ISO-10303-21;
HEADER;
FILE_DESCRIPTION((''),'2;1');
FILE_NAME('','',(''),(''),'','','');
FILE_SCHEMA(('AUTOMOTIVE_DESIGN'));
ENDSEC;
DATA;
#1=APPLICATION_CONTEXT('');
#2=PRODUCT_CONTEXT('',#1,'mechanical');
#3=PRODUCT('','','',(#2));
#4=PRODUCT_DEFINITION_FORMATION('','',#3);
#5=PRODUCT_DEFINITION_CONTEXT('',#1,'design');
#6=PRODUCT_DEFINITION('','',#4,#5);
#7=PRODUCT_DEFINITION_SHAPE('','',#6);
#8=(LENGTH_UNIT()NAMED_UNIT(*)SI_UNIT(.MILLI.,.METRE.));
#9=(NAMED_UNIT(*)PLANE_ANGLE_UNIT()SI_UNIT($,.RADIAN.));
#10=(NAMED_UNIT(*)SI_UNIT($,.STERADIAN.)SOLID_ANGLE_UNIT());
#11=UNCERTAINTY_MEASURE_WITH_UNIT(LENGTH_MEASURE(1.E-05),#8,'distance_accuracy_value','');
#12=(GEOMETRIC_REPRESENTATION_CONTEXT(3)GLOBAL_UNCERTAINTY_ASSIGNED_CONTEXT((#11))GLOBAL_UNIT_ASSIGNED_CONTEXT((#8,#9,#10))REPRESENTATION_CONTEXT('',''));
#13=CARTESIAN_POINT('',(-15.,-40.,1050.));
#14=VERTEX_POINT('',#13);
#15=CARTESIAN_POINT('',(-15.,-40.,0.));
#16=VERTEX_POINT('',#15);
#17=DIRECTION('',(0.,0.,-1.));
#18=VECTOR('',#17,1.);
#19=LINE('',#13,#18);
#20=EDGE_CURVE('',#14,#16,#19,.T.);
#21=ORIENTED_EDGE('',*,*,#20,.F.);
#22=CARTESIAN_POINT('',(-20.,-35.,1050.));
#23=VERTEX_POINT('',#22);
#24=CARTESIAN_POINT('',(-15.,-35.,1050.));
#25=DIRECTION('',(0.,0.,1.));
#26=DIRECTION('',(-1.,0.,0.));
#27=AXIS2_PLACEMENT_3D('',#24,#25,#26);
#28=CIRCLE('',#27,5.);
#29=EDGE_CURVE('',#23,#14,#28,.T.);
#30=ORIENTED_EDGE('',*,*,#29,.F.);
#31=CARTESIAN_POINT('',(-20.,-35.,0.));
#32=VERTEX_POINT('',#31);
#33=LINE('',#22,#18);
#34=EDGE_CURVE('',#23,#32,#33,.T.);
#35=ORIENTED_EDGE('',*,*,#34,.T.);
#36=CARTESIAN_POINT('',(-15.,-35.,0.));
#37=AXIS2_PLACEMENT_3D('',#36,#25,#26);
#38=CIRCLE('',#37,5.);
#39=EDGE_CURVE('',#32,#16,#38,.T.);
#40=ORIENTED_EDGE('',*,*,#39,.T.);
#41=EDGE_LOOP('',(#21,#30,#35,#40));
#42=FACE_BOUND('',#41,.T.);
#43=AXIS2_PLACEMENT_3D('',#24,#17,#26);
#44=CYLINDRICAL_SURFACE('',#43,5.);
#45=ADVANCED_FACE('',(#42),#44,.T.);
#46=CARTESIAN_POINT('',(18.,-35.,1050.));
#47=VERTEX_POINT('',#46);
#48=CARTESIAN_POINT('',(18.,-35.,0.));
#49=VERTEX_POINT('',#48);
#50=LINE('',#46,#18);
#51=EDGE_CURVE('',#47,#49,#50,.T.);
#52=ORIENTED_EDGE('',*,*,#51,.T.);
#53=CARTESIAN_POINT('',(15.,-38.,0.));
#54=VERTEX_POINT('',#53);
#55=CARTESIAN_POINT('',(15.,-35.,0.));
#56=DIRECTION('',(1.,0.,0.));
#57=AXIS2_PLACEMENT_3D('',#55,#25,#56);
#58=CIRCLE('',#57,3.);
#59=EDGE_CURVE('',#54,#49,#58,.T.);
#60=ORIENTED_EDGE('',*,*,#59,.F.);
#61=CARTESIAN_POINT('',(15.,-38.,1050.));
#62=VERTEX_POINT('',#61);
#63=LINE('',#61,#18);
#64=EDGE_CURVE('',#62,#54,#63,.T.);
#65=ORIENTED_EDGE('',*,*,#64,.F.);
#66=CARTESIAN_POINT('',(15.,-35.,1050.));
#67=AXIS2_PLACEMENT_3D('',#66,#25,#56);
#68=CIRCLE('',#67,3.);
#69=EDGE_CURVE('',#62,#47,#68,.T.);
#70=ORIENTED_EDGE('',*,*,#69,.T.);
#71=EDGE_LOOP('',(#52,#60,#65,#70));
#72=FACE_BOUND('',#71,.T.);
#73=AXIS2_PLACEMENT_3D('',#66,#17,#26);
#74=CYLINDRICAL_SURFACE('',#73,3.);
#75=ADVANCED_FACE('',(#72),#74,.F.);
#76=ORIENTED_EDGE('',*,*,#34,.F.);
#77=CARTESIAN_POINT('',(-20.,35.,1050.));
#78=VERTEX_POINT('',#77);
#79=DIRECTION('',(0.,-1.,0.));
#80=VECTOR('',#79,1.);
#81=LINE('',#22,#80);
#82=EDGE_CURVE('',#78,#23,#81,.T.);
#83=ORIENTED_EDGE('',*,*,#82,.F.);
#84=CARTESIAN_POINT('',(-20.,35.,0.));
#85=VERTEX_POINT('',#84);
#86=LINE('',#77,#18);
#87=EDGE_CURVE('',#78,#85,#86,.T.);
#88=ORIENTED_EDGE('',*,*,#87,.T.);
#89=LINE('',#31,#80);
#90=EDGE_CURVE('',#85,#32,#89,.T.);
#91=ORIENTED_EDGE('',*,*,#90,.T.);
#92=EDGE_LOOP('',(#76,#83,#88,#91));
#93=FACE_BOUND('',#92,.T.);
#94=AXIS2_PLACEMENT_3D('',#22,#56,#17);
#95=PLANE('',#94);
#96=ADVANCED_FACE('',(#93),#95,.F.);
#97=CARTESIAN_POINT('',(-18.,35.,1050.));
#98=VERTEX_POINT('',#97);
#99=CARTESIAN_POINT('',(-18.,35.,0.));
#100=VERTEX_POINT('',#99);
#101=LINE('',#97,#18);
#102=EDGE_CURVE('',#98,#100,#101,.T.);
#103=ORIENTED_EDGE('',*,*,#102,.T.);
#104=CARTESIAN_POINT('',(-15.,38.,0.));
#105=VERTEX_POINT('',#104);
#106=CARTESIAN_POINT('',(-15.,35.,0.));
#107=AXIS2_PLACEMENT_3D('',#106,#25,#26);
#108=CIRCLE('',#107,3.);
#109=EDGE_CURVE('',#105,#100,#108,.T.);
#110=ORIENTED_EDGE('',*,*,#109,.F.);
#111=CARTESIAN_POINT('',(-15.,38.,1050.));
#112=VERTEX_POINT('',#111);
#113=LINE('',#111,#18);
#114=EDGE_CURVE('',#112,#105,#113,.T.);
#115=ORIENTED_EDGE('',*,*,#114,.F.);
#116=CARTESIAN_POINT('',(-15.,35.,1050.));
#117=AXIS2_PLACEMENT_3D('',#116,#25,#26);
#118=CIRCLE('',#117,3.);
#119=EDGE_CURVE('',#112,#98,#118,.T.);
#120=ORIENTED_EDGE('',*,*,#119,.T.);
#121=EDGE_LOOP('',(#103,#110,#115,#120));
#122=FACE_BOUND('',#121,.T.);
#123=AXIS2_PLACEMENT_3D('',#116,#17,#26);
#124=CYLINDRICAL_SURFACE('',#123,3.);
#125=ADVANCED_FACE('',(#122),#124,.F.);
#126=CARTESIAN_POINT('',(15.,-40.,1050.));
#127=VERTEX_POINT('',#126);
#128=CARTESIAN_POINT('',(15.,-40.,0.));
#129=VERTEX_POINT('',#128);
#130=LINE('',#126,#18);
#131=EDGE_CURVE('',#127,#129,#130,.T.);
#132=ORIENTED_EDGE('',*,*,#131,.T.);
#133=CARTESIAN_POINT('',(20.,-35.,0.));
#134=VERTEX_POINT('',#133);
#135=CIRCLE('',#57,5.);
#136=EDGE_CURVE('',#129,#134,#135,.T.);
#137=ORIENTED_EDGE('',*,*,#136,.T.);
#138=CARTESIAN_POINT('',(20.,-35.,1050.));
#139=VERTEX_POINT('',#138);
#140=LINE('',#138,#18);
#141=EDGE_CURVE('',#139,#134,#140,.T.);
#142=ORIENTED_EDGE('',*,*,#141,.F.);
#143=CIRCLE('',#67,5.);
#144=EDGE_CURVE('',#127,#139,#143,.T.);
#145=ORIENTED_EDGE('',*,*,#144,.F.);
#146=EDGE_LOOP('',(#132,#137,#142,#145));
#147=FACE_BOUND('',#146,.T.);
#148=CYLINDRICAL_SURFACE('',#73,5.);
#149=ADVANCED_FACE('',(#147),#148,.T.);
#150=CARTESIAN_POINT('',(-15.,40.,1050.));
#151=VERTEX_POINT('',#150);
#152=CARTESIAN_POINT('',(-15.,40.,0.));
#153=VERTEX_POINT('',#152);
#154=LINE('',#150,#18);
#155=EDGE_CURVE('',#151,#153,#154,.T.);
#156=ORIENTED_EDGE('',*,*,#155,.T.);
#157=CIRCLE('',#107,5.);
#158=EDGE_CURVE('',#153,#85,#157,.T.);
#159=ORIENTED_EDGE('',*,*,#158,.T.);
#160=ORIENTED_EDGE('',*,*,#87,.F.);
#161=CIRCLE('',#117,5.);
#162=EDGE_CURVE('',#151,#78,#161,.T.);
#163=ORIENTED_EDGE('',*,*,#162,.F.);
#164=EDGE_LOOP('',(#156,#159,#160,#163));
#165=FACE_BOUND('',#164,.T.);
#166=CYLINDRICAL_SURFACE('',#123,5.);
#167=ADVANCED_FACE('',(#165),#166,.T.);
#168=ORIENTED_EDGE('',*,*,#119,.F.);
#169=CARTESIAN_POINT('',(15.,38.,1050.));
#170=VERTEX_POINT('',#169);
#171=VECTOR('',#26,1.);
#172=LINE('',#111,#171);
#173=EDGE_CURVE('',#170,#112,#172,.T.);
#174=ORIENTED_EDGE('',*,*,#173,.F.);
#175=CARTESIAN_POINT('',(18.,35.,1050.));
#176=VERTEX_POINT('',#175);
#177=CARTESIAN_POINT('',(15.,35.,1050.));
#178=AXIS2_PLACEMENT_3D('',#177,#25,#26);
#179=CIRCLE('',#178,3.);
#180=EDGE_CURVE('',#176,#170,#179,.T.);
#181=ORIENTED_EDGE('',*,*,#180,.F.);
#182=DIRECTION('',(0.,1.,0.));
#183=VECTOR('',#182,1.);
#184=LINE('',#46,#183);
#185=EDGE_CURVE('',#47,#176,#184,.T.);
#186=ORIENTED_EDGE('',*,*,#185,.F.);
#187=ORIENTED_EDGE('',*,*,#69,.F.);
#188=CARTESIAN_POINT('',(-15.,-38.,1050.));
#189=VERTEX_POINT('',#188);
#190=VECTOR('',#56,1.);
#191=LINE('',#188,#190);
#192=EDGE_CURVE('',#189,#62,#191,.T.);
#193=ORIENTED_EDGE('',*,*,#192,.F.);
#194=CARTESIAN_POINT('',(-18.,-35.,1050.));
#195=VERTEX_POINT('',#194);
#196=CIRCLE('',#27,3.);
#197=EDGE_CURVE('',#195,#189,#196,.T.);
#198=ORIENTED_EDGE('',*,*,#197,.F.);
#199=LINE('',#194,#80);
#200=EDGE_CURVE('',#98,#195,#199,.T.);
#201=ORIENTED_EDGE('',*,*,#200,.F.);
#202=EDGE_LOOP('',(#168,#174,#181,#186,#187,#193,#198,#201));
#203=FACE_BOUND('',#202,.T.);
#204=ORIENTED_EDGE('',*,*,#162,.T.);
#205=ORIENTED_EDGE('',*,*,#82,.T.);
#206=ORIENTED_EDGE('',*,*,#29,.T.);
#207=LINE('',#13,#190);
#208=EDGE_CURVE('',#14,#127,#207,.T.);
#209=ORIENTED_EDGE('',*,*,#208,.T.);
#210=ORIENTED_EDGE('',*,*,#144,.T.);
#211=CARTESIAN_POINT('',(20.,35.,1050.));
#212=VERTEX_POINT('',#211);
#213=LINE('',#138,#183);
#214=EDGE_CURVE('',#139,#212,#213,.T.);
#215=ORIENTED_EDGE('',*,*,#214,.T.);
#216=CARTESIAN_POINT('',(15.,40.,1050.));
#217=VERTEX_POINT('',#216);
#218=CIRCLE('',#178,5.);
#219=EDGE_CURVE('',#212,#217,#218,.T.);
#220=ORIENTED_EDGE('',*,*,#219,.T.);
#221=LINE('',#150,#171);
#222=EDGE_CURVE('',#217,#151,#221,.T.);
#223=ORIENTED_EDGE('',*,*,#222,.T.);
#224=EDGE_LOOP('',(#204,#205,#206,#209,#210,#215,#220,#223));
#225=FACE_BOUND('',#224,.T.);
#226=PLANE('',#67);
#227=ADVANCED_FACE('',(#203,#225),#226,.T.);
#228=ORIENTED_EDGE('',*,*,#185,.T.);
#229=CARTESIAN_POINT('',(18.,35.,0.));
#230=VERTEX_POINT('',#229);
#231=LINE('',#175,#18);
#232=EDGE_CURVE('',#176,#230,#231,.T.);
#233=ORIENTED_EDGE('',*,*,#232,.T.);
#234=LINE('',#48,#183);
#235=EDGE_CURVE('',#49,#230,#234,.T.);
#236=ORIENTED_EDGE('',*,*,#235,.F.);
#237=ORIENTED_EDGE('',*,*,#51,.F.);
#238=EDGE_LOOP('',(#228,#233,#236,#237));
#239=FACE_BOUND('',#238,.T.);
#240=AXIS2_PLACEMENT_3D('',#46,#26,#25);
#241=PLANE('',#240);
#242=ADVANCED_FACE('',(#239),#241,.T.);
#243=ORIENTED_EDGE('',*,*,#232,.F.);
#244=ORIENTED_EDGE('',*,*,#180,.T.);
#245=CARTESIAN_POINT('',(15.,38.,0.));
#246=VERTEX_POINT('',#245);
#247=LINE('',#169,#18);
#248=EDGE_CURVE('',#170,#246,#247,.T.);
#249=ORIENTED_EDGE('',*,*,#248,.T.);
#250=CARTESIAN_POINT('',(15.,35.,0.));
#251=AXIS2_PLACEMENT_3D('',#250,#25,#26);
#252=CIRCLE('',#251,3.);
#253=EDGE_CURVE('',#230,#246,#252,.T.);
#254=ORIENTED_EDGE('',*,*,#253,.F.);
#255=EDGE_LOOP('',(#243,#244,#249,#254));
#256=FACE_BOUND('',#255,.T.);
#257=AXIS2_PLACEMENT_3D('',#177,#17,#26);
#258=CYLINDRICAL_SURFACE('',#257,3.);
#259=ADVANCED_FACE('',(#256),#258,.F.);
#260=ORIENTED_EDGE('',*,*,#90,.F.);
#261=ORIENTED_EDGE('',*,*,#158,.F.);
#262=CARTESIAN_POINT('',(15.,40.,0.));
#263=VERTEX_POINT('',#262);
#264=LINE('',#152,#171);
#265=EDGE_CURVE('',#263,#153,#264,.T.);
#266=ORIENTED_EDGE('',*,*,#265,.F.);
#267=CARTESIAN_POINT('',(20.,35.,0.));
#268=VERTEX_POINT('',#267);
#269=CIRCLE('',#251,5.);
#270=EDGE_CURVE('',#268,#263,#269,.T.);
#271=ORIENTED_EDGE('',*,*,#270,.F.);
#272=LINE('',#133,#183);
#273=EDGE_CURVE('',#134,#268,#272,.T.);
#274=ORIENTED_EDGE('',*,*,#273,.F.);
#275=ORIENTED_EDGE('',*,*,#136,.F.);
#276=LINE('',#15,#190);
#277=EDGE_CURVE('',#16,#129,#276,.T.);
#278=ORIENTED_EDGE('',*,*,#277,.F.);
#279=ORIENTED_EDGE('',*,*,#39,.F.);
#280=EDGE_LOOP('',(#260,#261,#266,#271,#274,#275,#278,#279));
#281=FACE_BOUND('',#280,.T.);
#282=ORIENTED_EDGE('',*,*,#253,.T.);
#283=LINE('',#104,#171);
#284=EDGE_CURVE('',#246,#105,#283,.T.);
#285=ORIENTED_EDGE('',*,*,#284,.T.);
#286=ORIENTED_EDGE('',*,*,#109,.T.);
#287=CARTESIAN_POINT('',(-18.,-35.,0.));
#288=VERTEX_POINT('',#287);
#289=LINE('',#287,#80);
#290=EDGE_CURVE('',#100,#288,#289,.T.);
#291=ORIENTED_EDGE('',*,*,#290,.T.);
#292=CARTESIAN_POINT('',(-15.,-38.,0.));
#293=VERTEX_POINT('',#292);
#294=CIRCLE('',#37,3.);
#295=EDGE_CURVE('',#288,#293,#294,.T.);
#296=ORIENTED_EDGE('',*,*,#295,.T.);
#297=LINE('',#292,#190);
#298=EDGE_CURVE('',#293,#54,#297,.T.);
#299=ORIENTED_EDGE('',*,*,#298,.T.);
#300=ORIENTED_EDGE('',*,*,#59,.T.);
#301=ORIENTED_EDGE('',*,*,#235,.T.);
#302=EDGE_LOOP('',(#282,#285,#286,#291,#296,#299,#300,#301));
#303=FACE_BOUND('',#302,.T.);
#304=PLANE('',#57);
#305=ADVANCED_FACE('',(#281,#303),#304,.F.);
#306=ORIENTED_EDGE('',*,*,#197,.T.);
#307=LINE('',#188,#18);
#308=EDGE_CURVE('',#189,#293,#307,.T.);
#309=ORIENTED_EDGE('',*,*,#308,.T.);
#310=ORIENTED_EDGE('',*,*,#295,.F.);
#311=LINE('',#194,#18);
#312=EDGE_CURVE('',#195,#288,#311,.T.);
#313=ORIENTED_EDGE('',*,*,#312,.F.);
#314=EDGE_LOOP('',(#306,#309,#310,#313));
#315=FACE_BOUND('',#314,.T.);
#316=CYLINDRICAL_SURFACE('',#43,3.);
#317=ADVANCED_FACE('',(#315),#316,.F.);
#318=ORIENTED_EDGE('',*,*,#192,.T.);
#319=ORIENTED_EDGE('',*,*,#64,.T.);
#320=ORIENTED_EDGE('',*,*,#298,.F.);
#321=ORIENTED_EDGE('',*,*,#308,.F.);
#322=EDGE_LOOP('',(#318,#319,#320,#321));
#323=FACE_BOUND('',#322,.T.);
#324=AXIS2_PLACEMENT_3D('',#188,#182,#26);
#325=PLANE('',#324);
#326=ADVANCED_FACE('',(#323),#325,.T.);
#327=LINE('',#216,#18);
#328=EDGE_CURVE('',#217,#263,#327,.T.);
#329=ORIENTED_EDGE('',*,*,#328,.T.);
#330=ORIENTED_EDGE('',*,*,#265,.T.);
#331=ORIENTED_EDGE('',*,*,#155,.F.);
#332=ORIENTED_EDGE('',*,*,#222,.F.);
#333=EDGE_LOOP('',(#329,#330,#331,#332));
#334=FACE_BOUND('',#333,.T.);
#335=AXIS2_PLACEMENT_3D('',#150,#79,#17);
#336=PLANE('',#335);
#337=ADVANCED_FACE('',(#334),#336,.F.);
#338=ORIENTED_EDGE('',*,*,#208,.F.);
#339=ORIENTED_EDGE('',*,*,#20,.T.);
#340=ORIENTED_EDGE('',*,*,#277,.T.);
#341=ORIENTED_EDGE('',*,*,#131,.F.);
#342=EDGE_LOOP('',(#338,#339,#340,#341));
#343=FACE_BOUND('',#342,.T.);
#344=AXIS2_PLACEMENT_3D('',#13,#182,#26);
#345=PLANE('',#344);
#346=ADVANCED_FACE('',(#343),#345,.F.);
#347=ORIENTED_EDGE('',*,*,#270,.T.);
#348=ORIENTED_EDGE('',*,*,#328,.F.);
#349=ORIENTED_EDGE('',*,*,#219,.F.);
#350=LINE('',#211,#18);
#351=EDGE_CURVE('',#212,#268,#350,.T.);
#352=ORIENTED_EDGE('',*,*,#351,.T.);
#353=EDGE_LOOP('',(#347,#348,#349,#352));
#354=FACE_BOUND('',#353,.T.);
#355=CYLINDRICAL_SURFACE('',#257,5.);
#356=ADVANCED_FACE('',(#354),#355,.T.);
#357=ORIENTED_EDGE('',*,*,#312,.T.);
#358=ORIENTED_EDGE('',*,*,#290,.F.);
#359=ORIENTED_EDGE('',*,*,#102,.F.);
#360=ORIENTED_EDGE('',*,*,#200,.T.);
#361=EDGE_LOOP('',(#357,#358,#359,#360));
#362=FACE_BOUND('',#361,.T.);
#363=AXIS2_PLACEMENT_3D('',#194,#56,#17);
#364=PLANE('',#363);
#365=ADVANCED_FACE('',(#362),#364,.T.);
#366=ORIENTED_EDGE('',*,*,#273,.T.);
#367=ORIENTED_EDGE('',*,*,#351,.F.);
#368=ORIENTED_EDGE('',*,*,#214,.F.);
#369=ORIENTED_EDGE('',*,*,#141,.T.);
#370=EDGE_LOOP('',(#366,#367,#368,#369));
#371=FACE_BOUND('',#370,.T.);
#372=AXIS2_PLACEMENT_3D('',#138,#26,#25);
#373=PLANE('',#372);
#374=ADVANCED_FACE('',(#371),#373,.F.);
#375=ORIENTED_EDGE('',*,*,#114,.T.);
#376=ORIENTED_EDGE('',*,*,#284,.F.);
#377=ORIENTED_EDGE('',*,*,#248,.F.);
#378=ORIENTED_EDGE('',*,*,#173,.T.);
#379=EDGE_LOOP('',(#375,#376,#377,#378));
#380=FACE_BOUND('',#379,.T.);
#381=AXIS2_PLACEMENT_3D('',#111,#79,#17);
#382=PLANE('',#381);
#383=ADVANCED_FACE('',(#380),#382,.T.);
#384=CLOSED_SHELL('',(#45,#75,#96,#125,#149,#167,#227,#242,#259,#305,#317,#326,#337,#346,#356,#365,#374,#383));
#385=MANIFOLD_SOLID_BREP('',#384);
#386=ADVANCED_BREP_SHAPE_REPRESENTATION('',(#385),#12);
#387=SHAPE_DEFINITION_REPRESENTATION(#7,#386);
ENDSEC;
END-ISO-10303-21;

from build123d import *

# Parameters (mm, degrees)
BOSS_EXTRUDE1_DEPTH = 1050


with BuildPart() as part:
    # Sketch1 → Boss-Extrude1 (new body)
    with BuildSketch(Plane.XY):
        with BuildLine():
            Line((-15, -40), (15, -40))
            ThreePointArc((15, -40), (18.535533906, -38.535533906), (20, -35))
            Line((20, -35), (20, 35))
            ThreePointArc((20, 35), (18.535533906, 38.535533906), (15, 40))
            Line((15, 40), (-15, 40))
            ThreePointArc((-15, 40), (-18.535533906, 38.535533906), (-20, 35))
            Line((-20, 35), (-20, -35))
            ThreePointArc((-20, -35), (-18.535533906, -38.535533906), (-15, -40))
        make_face()
        with BuildLine():
            Line((-18, -35), (-18, 35))
            ThreePointArc((-18, 35), (-17.121320344, 37.121320344), (-15, 38))
            Line((-15, 38), (15, 38))
            ThreePointArc((15, 38), (17.121320344, 37.121320344), (18, 35))
            Line((18, 35), (18, -35))
            ThreePointArc((18, -35), (17.121320344, -37.121320344), (15, -38))
            Line((15, -38), (-15, -38))
            ThreePointArc((-15, -38), (-17.121320344, -37.121320344), (-18, -35))
        make_face(mode=Mode.SUBTRACT)
    extrude(amount=BOSS_EXTRUDE1_DEPTH)


solid = part.part
